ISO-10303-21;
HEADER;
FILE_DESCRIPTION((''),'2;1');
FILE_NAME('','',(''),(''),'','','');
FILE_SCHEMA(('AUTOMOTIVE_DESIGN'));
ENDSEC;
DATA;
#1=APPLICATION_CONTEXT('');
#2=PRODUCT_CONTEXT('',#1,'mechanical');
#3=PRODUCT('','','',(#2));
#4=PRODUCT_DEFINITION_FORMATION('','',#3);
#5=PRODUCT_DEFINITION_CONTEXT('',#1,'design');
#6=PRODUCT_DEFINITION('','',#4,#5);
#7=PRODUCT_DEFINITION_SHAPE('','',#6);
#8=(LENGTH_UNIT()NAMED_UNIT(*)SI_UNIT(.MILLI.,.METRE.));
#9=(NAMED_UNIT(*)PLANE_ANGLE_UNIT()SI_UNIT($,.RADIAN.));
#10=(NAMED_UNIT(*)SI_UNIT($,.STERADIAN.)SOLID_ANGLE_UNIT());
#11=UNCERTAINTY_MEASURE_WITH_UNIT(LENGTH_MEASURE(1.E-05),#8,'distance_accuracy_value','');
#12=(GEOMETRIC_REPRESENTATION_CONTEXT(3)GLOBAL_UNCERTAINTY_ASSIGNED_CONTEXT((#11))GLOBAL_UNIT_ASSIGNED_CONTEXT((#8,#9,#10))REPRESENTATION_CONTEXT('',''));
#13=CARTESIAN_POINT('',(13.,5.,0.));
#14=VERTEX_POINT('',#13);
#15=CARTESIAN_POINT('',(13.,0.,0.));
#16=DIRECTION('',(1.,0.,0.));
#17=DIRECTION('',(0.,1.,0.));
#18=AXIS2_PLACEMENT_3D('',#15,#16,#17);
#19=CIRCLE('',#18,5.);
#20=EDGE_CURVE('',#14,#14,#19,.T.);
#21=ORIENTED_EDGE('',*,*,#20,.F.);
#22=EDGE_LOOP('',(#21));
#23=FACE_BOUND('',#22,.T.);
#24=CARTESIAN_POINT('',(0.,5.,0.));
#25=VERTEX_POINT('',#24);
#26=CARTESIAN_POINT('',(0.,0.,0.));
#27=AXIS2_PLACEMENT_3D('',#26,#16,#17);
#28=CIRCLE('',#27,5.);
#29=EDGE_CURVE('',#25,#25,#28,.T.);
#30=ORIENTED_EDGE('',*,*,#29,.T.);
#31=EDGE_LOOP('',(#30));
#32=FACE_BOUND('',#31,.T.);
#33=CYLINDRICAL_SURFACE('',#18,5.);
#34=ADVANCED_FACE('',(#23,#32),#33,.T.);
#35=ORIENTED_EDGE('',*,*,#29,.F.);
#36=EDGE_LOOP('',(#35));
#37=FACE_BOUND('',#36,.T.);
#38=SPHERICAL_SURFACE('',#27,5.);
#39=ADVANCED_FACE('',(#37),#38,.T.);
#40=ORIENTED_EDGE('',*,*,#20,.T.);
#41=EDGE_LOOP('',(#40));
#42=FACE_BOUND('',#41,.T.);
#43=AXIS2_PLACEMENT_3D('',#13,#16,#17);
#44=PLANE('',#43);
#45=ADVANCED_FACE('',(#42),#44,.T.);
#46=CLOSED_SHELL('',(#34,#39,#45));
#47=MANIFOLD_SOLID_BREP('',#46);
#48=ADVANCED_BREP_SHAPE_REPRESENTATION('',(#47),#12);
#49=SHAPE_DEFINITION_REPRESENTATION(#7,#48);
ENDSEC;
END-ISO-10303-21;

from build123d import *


with BuildPart() as part:
    # ｽｹｯﾁ1 → 回転1 (revolve)
    with BuildSketch(Plane.XY):
        with BuildLine():
            Line((0, 5), (13, 5))
            Line((13, 5), (13, 0))
            Line((13, 0), (-5, 0))
            ThreePointArc((-5, 0), (-3.535533906, 3.535533906), (0, 5))
        make_face()
    revolve(axis=Axis((13, 0, 0), (-1, 0, 0)))


solid = part.part
